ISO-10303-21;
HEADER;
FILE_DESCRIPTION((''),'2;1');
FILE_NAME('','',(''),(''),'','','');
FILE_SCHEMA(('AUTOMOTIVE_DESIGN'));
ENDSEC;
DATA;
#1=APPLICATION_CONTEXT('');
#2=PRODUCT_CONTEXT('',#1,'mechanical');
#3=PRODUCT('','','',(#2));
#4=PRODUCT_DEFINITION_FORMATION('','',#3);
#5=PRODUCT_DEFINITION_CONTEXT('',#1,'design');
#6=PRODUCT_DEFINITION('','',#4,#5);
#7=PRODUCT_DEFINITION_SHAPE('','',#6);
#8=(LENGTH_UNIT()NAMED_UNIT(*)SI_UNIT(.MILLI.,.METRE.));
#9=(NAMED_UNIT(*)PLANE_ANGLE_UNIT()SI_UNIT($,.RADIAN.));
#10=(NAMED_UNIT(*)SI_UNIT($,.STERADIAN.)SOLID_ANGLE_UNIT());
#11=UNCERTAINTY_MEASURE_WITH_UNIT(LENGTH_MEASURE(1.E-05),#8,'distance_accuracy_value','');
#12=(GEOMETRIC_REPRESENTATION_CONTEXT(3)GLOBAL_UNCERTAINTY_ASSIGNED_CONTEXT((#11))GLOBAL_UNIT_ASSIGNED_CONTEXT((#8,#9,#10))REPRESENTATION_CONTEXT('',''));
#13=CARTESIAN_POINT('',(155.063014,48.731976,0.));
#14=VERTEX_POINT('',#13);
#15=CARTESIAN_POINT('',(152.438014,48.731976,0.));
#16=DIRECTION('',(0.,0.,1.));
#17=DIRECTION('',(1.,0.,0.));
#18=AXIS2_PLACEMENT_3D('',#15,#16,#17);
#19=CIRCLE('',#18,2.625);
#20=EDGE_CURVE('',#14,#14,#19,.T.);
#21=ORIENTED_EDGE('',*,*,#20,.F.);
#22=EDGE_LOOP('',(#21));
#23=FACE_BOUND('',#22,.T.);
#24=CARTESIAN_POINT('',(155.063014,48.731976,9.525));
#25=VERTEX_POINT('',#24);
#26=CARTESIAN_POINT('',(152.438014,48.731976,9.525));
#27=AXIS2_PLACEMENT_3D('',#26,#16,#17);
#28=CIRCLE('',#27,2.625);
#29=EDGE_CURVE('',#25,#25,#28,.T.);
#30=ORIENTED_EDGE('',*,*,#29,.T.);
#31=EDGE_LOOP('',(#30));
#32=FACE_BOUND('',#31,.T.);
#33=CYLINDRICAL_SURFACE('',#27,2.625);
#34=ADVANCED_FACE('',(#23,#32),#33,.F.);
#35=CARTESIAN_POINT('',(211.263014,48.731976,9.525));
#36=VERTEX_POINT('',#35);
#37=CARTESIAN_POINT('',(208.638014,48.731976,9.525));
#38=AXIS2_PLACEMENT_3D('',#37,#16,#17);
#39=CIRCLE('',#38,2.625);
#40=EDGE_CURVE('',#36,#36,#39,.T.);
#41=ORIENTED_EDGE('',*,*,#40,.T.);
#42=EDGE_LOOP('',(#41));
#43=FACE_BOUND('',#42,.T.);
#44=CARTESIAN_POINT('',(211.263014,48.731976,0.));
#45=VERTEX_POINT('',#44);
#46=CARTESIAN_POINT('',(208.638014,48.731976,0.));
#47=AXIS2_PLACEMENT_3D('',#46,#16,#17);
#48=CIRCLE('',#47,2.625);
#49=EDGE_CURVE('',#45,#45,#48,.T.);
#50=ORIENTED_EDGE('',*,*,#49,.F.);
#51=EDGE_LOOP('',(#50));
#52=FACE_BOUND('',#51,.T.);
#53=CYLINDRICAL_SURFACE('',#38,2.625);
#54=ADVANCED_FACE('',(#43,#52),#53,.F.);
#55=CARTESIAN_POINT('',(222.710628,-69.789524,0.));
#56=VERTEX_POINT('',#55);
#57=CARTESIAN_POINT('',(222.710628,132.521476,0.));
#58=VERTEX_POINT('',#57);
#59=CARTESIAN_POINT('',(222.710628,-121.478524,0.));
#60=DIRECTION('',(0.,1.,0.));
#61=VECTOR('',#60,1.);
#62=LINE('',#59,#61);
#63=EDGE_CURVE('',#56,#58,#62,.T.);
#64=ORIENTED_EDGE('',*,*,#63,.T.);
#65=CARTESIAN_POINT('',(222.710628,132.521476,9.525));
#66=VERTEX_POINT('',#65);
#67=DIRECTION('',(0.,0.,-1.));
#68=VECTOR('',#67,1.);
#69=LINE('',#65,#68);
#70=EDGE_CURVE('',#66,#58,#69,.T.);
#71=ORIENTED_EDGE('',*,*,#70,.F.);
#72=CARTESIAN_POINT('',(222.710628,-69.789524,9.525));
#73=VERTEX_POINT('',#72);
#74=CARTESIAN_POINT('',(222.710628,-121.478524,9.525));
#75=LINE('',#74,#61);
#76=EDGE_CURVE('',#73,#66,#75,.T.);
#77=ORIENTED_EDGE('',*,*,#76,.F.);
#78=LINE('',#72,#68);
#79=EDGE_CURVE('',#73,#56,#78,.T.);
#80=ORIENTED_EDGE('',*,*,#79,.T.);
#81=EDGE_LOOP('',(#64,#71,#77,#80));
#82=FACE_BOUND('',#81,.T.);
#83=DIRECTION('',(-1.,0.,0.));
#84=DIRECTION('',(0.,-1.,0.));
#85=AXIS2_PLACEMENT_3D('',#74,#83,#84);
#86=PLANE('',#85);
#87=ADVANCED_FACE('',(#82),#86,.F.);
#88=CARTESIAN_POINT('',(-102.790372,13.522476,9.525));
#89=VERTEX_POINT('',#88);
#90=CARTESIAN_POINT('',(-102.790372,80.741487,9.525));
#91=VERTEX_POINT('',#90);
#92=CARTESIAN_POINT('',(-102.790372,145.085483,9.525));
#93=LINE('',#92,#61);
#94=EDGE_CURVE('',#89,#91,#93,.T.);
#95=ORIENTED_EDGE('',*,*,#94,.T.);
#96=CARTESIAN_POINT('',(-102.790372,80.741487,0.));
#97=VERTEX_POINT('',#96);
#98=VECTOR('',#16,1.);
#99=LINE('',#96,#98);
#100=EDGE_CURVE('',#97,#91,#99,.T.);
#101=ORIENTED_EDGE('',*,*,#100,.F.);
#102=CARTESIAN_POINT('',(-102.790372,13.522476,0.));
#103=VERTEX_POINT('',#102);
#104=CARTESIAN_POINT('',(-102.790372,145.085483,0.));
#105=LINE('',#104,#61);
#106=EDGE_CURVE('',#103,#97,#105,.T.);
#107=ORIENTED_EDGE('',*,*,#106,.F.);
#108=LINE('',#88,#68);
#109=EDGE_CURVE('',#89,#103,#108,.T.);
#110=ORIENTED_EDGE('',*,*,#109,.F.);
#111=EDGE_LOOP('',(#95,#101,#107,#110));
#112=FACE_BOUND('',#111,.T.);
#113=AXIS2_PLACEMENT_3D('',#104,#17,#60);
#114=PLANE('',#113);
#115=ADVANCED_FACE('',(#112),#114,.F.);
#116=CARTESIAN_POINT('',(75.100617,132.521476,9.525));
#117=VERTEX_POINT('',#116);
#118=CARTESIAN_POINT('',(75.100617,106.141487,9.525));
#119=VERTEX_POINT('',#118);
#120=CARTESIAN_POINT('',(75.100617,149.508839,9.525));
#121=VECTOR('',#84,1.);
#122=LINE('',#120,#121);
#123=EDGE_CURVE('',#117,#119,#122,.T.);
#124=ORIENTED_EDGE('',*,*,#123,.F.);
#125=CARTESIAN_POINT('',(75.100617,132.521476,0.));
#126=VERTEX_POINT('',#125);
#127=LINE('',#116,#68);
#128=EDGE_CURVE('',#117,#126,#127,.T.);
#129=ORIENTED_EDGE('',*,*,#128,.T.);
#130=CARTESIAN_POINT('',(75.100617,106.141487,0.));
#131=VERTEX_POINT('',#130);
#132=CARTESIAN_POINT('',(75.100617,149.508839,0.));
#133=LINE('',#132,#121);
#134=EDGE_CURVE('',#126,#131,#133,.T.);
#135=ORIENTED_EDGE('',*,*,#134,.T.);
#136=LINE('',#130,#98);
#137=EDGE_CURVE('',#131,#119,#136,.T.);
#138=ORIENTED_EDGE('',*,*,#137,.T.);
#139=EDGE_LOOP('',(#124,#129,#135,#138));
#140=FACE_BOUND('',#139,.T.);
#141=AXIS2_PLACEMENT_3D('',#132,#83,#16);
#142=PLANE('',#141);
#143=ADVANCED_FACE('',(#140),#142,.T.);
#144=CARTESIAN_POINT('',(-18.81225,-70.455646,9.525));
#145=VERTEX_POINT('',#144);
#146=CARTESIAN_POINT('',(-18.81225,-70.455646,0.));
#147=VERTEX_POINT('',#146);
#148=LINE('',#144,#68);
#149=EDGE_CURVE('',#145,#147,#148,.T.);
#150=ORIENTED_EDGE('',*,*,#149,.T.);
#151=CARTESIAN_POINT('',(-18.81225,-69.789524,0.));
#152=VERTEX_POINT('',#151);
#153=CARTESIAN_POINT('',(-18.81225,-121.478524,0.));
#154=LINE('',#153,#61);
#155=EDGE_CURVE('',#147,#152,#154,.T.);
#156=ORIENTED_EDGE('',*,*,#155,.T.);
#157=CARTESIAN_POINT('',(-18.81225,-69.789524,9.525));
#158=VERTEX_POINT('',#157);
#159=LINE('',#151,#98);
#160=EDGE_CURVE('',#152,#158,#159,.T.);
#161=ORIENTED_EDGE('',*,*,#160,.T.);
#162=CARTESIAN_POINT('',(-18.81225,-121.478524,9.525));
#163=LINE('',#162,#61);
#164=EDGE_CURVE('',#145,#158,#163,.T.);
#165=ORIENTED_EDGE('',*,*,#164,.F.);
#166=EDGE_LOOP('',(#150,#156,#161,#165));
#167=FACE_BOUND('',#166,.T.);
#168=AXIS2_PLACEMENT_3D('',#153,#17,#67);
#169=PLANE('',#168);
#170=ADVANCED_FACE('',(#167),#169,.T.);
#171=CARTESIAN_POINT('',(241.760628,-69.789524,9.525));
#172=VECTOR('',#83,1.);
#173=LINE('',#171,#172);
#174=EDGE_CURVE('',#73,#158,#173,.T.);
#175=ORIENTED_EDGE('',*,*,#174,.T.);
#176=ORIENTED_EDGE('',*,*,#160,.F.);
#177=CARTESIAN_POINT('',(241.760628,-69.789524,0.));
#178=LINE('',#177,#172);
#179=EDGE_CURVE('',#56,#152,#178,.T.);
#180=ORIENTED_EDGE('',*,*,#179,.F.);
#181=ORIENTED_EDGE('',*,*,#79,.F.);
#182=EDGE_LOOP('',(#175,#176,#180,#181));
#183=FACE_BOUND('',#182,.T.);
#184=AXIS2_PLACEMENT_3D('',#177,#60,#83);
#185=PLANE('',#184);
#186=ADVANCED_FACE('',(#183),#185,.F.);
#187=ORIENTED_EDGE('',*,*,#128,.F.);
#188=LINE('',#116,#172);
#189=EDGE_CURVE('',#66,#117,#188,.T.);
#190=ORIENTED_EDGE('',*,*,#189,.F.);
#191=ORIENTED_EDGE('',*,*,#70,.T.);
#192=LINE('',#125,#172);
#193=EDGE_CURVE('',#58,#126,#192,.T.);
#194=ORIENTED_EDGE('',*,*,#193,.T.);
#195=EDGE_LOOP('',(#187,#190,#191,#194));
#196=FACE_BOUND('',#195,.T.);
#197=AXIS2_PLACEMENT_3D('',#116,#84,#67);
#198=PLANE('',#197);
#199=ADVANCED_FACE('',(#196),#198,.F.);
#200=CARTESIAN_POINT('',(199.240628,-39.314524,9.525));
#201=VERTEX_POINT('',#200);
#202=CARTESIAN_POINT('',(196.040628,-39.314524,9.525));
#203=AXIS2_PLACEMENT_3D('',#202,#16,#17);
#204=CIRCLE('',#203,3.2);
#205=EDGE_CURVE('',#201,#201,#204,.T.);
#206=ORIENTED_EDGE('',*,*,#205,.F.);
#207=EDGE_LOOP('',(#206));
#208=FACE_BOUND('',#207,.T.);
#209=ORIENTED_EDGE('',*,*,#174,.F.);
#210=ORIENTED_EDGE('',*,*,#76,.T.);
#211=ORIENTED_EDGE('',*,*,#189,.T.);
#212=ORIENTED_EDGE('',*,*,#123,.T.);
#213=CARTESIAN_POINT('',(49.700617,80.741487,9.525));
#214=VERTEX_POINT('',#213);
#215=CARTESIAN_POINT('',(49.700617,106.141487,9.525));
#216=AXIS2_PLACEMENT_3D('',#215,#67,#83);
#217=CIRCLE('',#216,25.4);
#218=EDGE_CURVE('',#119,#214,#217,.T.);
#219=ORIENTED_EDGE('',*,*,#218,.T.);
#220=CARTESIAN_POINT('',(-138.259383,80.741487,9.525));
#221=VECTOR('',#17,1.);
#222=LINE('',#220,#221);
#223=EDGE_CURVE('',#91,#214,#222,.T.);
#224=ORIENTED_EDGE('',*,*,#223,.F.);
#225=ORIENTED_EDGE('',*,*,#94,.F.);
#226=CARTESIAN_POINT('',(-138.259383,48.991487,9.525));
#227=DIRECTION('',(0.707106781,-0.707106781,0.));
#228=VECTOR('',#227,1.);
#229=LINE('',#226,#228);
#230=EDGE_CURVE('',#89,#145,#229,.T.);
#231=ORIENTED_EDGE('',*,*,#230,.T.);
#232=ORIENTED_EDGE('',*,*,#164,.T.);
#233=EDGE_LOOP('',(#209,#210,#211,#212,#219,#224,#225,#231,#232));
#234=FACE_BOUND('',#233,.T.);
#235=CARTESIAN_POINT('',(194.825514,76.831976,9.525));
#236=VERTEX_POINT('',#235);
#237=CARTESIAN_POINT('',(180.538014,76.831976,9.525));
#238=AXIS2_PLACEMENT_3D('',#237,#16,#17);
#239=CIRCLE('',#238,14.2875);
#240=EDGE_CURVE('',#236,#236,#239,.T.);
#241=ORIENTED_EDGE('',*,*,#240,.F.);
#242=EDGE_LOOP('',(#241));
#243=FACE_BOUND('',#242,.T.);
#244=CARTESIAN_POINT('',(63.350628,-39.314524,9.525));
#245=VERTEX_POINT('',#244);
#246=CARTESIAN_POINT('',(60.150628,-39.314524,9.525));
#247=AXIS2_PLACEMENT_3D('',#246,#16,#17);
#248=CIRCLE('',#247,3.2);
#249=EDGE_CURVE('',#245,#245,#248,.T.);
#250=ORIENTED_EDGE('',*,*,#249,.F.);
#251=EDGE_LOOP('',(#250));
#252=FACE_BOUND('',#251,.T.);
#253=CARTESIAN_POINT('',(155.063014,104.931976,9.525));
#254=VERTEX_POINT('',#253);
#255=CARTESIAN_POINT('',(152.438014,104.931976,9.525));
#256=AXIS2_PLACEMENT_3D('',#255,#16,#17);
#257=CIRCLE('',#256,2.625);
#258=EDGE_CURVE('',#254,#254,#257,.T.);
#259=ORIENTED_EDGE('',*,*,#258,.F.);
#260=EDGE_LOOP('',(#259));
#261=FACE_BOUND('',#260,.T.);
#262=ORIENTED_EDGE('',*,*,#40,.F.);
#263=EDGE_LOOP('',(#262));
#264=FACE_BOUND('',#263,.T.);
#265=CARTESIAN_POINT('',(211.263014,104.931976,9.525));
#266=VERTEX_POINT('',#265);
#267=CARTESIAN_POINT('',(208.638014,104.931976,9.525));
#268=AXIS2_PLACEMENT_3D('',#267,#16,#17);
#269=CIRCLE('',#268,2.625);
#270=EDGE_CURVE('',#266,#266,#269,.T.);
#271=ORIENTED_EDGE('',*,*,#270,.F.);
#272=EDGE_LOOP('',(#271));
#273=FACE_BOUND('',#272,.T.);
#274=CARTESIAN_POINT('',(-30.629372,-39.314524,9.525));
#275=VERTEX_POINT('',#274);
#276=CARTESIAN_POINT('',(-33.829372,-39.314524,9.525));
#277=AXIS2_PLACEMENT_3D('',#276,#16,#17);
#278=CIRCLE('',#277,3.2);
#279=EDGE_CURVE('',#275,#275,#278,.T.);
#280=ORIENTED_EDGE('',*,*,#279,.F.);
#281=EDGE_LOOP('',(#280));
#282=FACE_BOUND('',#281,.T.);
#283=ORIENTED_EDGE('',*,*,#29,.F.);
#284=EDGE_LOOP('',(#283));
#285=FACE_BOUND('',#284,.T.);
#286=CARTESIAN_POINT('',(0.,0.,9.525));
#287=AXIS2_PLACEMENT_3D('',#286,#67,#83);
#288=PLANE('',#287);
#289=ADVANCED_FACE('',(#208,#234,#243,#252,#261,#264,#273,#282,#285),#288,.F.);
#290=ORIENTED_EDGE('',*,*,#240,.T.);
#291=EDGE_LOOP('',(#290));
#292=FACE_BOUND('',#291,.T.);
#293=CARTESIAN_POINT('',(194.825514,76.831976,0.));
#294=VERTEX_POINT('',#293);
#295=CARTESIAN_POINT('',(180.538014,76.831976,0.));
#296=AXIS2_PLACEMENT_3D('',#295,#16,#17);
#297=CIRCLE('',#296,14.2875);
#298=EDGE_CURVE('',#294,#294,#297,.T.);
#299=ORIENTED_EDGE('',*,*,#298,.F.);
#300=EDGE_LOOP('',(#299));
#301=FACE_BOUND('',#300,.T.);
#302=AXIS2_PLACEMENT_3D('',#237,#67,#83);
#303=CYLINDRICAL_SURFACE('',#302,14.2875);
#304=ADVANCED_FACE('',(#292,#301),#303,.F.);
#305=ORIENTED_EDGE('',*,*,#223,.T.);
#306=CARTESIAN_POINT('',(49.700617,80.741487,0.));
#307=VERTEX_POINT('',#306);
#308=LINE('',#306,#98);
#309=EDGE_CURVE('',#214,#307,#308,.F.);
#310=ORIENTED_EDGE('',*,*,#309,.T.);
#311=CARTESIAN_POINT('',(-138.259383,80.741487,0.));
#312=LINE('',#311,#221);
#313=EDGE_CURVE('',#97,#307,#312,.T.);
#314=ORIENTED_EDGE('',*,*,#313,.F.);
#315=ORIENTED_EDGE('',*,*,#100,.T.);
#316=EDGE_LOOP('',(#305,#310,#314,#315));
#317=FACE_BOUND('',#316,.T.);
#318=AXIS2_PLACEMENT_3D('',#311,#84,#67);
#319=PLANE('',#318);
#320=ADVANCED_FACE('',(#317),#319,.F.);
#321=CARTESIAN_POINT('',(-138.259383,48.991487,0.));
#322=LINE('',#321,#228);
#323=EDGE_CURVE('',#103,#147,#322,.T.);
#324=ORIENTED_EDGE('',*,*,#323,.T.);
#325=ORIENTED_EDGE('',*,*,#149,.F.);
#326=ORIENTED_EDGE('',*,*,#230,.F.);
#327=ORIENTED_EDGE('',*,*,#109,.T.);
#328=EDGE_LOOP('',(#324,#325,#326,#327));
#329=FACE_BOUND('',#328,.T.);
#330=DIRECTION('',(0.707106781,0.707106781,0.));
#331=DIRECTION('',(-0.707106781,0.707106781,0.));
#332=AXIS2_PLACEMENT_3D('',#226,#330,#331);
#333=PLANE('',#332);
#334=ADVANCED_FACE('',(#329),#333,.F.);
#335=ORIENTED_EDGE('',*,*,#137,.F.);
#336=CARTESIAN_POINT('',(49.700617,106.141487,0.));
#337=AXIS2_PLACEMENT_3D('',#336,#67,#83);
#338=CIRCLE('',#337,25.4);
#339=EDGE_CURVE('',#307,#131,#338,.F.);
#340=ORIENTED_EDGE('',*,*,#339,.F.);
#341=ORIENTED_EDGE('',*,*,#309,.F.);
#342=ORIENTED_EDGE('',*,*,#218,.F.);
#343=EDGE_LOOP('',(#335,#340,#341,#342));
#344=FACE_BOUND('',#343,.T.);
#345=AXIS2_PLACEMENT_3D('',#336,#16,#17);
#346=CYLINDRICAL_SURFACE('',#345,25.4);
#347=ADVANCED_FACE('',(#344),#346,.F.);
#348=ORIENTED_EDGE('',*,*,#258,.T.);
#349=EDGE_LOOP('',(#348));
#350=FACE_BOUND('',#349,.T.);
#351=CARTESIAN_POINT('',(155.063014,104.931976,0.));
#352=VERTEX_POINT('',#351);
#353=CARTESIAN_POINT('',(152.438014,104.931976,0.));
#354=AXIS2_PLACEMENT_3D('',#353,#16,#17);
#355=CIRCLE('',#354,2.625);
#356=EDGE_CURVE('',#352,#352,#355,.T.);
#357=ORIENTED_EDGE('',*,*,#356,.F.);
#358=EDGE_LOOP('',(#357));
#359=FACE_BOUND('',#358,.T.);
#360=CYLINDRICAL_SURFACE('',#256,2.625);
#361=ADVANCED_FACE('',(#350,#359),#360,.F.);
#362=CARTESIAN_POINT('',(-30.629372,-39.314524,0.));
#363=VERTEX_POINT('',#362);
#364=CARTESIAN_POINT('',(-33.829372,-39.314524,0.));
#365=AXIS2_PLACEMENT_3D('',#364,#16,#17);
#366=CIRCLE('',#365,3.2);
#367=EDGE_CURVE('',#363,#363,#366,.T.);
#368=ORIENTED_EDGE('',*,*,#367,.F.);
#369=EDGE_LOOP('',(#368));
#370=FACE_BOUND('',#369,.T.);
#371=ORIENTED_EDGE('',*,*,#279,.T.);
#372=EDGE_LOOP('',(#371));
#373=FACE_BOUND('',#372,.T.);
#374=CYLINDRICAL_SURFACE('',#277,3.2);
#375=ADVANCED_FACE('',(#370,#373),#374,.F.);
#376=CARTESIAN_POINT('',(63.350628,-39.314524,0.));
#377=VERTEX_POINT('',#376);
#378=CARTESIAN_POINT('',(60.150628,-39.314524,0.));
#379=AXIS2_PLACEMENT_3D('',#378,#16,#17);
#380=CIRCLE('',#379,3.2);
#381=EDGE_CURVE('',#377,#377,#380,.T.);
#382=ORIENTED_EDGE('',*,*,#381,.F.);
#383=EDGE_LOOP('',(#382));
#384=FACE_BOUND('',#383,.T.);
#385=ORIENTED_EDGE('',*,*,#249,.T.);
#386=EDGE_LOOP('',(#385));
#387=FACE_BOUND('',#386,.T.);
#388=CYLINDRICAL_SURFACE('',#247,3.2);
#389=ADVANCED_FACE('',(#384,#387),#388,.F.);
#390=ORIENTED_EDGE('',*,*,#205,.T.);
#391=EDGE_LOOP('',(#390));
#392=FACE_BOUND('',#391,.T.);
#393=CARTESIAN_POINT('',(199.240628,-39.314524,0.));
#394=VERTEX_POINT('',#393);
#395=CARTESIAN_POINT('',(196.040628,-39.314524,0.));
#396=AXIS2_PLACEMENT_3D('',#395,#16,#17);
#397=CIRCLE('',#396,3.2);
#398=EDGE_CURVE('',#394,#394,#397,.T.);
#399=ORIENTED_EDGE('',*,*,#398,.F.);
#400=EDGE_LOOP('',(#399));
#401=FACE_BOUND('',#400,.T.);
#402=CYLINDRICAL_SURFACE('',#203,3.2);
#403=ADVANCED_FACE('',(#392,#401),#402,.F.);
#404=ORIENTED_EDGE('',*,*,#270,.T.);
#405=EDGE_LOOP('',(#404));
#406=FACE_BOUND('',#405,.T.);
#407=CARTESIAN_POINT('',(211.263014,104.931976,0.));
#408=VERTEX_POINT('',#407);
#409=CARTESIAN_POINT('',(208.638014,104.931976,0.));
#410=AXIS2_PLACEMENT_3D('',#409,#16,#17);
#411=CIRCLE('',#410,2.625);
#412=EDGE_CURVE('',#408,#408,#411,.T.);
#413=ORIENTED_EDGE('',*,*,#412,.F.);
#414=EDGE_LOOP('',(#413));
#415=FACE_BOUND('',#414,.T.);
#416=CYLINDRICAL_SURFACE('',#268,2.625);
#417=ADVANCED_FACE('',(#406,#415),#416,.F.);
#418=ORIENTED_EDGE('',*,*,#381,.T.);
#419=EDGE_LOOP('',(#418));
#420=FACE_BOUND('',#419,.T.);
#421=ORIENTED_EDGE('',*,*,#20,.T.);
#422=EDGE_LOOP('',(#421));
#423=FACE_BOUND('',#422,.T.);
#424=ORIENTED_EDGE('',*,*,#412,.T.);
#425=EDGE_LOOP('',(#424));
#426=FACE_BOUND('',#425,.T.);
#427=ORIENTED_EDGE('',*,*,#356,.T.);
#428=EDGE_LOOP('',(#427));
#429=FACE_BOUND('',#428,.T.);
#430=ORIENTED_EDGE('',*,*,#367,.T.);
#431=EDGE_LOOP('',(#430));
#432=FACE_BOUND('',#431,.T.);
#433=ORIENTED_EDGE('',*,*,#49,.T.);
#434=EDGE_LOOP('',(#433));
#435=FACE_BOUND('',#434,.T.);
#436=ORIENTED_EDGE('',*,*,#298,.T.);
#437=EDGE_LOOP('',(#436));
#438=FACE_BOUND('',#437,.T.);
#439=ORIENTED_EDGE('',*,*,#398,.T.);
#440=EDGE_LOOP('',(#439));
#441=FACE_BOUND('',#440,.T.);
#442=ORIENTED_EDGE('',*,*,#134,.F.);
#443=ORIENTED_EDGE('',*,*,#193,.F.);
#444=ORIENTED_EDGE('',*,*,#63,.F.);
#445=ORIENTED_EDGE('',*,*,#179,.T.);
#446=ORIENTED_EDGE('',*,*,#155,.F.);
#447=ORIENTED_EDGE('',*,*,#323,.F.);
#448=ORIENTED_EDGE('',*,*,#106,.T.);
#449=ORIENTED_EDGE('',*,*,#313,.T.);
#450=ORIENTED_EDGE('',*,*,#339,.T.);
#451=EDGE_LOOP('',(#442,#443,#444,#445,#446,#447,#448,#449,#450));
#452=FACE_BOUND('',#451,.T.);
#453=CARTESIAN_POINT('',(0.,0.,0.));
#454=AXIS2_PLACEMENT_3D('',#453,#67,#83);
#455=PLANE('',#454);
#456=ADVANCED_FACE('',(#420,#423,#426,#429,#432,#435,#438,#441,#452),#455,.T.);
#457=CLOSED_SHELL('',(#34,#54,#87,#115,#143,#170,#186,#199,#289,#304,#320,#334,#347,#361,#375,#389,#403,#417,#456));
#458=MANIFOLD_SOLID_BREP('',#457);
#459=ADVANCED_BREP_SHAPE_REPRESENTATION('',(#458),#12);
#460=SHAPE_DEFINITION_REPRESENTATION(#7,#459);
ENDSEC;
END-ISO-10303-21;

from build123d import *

# Parameters (mm, degrees)
SKETCH1_R                    = 14.2875
BOSS_EXTRUDE1_DEPTH          = 9.525
SKETCH2_W                    = 260.572878056
SKETCH2_H                    = 51.689000001
CUT_EXTRUDE1_DEPTH           = 10.525
SKETCH4_W                    = 213.36
SKETCH4_H                    = 68.767352002
CUT_EXTRUDE2_DEPTH           = 10.525
FILLET2_R                    = 25.4
SKETCH16_W                   = 9.525
SKETCH16_H                   = 4.28736328
CUT_EXTRUDE3_DEPTH           = 361.970011278
SKETCH17_W                   = 147.610011278
SKETCH17_H                   = 12.7
CUT_EXTRUDE4_DEPTH           = 10.525
TAP_DRILL_FOR_M6X0_75_TAP1_D = 5.25
F_6_4_6_4_DIAMETER_HOLE1_D   = 6.4
CUT_EXTRUDE5_DEPTH           = 10.525


with BuildPart() as part:
    # Sketch1 → Boss-Extrude1 (new body)
    with BuildSketch(Plane.XY):
        Polygon((-138.259383474, 48.991487021), (32.210627804, -121.478524257), (222.710627804, -121.478524257), (222.710627804, 149.508839023), (-138.259383474, 149.508839023), align=None)
        with Locations((180.538014078, 76.831975743)):
            Circle(SKETCH1_R, mode=Mode.SUBTRACT)
    extrude(amount=BOSS_EXTRUDE1_DEPTH)

    # Sketch2 → Cut-Extrude1 (cut, through all)
    with BuildSketch(Plane.XY.offset(9.525)):
        with Locations((111.474188776, -95.634024256)):
            Rectangle(SKETCH2_W, SKETCH2_H)
    extrude(amount=-CUT_EXTRUDE1_DEPTH, mode=Mode.SUBTRACT)

    # Sketch4 → Cut-Extrude2 (cut, through all)
    with BuildSketch(Plane.XY.offset(9.525)):
        with Locations((-31.579383474, 115.125163022)):
            Rectangle(SKETCH4_W, SKETCH4_H)
    extrude(amount=-CUT_EXTRUDE2_DEPTH, mode=Mode.SUBTRACT)

    # Fillet2
    fillet2_edges = [part.edges().sort_by_distance(p)[0] for p in [
        (-138.259383474, 80.741487021, 4.7625),
        (75.100616526, 80.741487021, 4.7625),
    ]]
    fillet(fillet2_edges, radius=FILLET2_R)

    # Sketch16 → Cut-Extrude3 (cut, through all)
    with BuildSketch(Plane(origin=(222.710627804, 0, 0), x_dir=(0, 0, -1), z_dir=(1, 0, 0))):
        with Locations((-4.7625, 147.365157383)):
            Rectangle(SKETCH16_W, SKETCH16_H)
    extrude(amount=-CUT_EXTRUDE3_DEPTH, mode=Mode.SUBTRACT)

    # Sketch17 → Cut-Extrude4 (cut, through all)
    with BuildSketch(Plane(origin=(0, 0, 0), x_dir=(-1, 0, 0), z_dir=(0, 0, -1))):
        with Locations((-148.905622165, 138.871475743)):
            Rectangle(SKETCH17_W, SKETCH17_H)
    extrude(amount=-CUT_EXTRUDE4_DEPTH, mode=Mode.SUBTRACT)

    # Tap Drill for M6x0.75 Tap1 (through all)
    with Locations(Plane.XY.offset(9.525)):
        with Locations((208.638014078, 104.931975743), (152.438014078, 104.931975743), (152.438014078, 48.731975743), (208.638014078, 48.731975743)):
            Hole(TAP_DRILL_FOR_M6X0_75_TAP1_D / 2)

    # Ø6.4 (6.4) Diameter Hole1 (through all)
    with Locations(Plane.XY.offset(9.525)):
        with Locations((196.040627804, -39.314524257), (60.150627804, -39.314524257), (-33.829372196, -39.314524257)):
            Hole(F_6_4_6_4_DIAMETER_HOLE1_D / 2)

    # Sketch22 → Cut-Extrude5 (cut, through all)
    with BuildSketch(Plane.XY.offset(9.525)):
        Polygon((-102.790372196, 145.085482826), (-102.790372196, -100.339530139), (-209.67575658, -95.573995907), (-209.67575658, 145.085482826), align=None)
    extrude(amount=-CUT_EXTRUDE5_DEPTH, mode=Mode.SUBTRACT)


solid = part.part
